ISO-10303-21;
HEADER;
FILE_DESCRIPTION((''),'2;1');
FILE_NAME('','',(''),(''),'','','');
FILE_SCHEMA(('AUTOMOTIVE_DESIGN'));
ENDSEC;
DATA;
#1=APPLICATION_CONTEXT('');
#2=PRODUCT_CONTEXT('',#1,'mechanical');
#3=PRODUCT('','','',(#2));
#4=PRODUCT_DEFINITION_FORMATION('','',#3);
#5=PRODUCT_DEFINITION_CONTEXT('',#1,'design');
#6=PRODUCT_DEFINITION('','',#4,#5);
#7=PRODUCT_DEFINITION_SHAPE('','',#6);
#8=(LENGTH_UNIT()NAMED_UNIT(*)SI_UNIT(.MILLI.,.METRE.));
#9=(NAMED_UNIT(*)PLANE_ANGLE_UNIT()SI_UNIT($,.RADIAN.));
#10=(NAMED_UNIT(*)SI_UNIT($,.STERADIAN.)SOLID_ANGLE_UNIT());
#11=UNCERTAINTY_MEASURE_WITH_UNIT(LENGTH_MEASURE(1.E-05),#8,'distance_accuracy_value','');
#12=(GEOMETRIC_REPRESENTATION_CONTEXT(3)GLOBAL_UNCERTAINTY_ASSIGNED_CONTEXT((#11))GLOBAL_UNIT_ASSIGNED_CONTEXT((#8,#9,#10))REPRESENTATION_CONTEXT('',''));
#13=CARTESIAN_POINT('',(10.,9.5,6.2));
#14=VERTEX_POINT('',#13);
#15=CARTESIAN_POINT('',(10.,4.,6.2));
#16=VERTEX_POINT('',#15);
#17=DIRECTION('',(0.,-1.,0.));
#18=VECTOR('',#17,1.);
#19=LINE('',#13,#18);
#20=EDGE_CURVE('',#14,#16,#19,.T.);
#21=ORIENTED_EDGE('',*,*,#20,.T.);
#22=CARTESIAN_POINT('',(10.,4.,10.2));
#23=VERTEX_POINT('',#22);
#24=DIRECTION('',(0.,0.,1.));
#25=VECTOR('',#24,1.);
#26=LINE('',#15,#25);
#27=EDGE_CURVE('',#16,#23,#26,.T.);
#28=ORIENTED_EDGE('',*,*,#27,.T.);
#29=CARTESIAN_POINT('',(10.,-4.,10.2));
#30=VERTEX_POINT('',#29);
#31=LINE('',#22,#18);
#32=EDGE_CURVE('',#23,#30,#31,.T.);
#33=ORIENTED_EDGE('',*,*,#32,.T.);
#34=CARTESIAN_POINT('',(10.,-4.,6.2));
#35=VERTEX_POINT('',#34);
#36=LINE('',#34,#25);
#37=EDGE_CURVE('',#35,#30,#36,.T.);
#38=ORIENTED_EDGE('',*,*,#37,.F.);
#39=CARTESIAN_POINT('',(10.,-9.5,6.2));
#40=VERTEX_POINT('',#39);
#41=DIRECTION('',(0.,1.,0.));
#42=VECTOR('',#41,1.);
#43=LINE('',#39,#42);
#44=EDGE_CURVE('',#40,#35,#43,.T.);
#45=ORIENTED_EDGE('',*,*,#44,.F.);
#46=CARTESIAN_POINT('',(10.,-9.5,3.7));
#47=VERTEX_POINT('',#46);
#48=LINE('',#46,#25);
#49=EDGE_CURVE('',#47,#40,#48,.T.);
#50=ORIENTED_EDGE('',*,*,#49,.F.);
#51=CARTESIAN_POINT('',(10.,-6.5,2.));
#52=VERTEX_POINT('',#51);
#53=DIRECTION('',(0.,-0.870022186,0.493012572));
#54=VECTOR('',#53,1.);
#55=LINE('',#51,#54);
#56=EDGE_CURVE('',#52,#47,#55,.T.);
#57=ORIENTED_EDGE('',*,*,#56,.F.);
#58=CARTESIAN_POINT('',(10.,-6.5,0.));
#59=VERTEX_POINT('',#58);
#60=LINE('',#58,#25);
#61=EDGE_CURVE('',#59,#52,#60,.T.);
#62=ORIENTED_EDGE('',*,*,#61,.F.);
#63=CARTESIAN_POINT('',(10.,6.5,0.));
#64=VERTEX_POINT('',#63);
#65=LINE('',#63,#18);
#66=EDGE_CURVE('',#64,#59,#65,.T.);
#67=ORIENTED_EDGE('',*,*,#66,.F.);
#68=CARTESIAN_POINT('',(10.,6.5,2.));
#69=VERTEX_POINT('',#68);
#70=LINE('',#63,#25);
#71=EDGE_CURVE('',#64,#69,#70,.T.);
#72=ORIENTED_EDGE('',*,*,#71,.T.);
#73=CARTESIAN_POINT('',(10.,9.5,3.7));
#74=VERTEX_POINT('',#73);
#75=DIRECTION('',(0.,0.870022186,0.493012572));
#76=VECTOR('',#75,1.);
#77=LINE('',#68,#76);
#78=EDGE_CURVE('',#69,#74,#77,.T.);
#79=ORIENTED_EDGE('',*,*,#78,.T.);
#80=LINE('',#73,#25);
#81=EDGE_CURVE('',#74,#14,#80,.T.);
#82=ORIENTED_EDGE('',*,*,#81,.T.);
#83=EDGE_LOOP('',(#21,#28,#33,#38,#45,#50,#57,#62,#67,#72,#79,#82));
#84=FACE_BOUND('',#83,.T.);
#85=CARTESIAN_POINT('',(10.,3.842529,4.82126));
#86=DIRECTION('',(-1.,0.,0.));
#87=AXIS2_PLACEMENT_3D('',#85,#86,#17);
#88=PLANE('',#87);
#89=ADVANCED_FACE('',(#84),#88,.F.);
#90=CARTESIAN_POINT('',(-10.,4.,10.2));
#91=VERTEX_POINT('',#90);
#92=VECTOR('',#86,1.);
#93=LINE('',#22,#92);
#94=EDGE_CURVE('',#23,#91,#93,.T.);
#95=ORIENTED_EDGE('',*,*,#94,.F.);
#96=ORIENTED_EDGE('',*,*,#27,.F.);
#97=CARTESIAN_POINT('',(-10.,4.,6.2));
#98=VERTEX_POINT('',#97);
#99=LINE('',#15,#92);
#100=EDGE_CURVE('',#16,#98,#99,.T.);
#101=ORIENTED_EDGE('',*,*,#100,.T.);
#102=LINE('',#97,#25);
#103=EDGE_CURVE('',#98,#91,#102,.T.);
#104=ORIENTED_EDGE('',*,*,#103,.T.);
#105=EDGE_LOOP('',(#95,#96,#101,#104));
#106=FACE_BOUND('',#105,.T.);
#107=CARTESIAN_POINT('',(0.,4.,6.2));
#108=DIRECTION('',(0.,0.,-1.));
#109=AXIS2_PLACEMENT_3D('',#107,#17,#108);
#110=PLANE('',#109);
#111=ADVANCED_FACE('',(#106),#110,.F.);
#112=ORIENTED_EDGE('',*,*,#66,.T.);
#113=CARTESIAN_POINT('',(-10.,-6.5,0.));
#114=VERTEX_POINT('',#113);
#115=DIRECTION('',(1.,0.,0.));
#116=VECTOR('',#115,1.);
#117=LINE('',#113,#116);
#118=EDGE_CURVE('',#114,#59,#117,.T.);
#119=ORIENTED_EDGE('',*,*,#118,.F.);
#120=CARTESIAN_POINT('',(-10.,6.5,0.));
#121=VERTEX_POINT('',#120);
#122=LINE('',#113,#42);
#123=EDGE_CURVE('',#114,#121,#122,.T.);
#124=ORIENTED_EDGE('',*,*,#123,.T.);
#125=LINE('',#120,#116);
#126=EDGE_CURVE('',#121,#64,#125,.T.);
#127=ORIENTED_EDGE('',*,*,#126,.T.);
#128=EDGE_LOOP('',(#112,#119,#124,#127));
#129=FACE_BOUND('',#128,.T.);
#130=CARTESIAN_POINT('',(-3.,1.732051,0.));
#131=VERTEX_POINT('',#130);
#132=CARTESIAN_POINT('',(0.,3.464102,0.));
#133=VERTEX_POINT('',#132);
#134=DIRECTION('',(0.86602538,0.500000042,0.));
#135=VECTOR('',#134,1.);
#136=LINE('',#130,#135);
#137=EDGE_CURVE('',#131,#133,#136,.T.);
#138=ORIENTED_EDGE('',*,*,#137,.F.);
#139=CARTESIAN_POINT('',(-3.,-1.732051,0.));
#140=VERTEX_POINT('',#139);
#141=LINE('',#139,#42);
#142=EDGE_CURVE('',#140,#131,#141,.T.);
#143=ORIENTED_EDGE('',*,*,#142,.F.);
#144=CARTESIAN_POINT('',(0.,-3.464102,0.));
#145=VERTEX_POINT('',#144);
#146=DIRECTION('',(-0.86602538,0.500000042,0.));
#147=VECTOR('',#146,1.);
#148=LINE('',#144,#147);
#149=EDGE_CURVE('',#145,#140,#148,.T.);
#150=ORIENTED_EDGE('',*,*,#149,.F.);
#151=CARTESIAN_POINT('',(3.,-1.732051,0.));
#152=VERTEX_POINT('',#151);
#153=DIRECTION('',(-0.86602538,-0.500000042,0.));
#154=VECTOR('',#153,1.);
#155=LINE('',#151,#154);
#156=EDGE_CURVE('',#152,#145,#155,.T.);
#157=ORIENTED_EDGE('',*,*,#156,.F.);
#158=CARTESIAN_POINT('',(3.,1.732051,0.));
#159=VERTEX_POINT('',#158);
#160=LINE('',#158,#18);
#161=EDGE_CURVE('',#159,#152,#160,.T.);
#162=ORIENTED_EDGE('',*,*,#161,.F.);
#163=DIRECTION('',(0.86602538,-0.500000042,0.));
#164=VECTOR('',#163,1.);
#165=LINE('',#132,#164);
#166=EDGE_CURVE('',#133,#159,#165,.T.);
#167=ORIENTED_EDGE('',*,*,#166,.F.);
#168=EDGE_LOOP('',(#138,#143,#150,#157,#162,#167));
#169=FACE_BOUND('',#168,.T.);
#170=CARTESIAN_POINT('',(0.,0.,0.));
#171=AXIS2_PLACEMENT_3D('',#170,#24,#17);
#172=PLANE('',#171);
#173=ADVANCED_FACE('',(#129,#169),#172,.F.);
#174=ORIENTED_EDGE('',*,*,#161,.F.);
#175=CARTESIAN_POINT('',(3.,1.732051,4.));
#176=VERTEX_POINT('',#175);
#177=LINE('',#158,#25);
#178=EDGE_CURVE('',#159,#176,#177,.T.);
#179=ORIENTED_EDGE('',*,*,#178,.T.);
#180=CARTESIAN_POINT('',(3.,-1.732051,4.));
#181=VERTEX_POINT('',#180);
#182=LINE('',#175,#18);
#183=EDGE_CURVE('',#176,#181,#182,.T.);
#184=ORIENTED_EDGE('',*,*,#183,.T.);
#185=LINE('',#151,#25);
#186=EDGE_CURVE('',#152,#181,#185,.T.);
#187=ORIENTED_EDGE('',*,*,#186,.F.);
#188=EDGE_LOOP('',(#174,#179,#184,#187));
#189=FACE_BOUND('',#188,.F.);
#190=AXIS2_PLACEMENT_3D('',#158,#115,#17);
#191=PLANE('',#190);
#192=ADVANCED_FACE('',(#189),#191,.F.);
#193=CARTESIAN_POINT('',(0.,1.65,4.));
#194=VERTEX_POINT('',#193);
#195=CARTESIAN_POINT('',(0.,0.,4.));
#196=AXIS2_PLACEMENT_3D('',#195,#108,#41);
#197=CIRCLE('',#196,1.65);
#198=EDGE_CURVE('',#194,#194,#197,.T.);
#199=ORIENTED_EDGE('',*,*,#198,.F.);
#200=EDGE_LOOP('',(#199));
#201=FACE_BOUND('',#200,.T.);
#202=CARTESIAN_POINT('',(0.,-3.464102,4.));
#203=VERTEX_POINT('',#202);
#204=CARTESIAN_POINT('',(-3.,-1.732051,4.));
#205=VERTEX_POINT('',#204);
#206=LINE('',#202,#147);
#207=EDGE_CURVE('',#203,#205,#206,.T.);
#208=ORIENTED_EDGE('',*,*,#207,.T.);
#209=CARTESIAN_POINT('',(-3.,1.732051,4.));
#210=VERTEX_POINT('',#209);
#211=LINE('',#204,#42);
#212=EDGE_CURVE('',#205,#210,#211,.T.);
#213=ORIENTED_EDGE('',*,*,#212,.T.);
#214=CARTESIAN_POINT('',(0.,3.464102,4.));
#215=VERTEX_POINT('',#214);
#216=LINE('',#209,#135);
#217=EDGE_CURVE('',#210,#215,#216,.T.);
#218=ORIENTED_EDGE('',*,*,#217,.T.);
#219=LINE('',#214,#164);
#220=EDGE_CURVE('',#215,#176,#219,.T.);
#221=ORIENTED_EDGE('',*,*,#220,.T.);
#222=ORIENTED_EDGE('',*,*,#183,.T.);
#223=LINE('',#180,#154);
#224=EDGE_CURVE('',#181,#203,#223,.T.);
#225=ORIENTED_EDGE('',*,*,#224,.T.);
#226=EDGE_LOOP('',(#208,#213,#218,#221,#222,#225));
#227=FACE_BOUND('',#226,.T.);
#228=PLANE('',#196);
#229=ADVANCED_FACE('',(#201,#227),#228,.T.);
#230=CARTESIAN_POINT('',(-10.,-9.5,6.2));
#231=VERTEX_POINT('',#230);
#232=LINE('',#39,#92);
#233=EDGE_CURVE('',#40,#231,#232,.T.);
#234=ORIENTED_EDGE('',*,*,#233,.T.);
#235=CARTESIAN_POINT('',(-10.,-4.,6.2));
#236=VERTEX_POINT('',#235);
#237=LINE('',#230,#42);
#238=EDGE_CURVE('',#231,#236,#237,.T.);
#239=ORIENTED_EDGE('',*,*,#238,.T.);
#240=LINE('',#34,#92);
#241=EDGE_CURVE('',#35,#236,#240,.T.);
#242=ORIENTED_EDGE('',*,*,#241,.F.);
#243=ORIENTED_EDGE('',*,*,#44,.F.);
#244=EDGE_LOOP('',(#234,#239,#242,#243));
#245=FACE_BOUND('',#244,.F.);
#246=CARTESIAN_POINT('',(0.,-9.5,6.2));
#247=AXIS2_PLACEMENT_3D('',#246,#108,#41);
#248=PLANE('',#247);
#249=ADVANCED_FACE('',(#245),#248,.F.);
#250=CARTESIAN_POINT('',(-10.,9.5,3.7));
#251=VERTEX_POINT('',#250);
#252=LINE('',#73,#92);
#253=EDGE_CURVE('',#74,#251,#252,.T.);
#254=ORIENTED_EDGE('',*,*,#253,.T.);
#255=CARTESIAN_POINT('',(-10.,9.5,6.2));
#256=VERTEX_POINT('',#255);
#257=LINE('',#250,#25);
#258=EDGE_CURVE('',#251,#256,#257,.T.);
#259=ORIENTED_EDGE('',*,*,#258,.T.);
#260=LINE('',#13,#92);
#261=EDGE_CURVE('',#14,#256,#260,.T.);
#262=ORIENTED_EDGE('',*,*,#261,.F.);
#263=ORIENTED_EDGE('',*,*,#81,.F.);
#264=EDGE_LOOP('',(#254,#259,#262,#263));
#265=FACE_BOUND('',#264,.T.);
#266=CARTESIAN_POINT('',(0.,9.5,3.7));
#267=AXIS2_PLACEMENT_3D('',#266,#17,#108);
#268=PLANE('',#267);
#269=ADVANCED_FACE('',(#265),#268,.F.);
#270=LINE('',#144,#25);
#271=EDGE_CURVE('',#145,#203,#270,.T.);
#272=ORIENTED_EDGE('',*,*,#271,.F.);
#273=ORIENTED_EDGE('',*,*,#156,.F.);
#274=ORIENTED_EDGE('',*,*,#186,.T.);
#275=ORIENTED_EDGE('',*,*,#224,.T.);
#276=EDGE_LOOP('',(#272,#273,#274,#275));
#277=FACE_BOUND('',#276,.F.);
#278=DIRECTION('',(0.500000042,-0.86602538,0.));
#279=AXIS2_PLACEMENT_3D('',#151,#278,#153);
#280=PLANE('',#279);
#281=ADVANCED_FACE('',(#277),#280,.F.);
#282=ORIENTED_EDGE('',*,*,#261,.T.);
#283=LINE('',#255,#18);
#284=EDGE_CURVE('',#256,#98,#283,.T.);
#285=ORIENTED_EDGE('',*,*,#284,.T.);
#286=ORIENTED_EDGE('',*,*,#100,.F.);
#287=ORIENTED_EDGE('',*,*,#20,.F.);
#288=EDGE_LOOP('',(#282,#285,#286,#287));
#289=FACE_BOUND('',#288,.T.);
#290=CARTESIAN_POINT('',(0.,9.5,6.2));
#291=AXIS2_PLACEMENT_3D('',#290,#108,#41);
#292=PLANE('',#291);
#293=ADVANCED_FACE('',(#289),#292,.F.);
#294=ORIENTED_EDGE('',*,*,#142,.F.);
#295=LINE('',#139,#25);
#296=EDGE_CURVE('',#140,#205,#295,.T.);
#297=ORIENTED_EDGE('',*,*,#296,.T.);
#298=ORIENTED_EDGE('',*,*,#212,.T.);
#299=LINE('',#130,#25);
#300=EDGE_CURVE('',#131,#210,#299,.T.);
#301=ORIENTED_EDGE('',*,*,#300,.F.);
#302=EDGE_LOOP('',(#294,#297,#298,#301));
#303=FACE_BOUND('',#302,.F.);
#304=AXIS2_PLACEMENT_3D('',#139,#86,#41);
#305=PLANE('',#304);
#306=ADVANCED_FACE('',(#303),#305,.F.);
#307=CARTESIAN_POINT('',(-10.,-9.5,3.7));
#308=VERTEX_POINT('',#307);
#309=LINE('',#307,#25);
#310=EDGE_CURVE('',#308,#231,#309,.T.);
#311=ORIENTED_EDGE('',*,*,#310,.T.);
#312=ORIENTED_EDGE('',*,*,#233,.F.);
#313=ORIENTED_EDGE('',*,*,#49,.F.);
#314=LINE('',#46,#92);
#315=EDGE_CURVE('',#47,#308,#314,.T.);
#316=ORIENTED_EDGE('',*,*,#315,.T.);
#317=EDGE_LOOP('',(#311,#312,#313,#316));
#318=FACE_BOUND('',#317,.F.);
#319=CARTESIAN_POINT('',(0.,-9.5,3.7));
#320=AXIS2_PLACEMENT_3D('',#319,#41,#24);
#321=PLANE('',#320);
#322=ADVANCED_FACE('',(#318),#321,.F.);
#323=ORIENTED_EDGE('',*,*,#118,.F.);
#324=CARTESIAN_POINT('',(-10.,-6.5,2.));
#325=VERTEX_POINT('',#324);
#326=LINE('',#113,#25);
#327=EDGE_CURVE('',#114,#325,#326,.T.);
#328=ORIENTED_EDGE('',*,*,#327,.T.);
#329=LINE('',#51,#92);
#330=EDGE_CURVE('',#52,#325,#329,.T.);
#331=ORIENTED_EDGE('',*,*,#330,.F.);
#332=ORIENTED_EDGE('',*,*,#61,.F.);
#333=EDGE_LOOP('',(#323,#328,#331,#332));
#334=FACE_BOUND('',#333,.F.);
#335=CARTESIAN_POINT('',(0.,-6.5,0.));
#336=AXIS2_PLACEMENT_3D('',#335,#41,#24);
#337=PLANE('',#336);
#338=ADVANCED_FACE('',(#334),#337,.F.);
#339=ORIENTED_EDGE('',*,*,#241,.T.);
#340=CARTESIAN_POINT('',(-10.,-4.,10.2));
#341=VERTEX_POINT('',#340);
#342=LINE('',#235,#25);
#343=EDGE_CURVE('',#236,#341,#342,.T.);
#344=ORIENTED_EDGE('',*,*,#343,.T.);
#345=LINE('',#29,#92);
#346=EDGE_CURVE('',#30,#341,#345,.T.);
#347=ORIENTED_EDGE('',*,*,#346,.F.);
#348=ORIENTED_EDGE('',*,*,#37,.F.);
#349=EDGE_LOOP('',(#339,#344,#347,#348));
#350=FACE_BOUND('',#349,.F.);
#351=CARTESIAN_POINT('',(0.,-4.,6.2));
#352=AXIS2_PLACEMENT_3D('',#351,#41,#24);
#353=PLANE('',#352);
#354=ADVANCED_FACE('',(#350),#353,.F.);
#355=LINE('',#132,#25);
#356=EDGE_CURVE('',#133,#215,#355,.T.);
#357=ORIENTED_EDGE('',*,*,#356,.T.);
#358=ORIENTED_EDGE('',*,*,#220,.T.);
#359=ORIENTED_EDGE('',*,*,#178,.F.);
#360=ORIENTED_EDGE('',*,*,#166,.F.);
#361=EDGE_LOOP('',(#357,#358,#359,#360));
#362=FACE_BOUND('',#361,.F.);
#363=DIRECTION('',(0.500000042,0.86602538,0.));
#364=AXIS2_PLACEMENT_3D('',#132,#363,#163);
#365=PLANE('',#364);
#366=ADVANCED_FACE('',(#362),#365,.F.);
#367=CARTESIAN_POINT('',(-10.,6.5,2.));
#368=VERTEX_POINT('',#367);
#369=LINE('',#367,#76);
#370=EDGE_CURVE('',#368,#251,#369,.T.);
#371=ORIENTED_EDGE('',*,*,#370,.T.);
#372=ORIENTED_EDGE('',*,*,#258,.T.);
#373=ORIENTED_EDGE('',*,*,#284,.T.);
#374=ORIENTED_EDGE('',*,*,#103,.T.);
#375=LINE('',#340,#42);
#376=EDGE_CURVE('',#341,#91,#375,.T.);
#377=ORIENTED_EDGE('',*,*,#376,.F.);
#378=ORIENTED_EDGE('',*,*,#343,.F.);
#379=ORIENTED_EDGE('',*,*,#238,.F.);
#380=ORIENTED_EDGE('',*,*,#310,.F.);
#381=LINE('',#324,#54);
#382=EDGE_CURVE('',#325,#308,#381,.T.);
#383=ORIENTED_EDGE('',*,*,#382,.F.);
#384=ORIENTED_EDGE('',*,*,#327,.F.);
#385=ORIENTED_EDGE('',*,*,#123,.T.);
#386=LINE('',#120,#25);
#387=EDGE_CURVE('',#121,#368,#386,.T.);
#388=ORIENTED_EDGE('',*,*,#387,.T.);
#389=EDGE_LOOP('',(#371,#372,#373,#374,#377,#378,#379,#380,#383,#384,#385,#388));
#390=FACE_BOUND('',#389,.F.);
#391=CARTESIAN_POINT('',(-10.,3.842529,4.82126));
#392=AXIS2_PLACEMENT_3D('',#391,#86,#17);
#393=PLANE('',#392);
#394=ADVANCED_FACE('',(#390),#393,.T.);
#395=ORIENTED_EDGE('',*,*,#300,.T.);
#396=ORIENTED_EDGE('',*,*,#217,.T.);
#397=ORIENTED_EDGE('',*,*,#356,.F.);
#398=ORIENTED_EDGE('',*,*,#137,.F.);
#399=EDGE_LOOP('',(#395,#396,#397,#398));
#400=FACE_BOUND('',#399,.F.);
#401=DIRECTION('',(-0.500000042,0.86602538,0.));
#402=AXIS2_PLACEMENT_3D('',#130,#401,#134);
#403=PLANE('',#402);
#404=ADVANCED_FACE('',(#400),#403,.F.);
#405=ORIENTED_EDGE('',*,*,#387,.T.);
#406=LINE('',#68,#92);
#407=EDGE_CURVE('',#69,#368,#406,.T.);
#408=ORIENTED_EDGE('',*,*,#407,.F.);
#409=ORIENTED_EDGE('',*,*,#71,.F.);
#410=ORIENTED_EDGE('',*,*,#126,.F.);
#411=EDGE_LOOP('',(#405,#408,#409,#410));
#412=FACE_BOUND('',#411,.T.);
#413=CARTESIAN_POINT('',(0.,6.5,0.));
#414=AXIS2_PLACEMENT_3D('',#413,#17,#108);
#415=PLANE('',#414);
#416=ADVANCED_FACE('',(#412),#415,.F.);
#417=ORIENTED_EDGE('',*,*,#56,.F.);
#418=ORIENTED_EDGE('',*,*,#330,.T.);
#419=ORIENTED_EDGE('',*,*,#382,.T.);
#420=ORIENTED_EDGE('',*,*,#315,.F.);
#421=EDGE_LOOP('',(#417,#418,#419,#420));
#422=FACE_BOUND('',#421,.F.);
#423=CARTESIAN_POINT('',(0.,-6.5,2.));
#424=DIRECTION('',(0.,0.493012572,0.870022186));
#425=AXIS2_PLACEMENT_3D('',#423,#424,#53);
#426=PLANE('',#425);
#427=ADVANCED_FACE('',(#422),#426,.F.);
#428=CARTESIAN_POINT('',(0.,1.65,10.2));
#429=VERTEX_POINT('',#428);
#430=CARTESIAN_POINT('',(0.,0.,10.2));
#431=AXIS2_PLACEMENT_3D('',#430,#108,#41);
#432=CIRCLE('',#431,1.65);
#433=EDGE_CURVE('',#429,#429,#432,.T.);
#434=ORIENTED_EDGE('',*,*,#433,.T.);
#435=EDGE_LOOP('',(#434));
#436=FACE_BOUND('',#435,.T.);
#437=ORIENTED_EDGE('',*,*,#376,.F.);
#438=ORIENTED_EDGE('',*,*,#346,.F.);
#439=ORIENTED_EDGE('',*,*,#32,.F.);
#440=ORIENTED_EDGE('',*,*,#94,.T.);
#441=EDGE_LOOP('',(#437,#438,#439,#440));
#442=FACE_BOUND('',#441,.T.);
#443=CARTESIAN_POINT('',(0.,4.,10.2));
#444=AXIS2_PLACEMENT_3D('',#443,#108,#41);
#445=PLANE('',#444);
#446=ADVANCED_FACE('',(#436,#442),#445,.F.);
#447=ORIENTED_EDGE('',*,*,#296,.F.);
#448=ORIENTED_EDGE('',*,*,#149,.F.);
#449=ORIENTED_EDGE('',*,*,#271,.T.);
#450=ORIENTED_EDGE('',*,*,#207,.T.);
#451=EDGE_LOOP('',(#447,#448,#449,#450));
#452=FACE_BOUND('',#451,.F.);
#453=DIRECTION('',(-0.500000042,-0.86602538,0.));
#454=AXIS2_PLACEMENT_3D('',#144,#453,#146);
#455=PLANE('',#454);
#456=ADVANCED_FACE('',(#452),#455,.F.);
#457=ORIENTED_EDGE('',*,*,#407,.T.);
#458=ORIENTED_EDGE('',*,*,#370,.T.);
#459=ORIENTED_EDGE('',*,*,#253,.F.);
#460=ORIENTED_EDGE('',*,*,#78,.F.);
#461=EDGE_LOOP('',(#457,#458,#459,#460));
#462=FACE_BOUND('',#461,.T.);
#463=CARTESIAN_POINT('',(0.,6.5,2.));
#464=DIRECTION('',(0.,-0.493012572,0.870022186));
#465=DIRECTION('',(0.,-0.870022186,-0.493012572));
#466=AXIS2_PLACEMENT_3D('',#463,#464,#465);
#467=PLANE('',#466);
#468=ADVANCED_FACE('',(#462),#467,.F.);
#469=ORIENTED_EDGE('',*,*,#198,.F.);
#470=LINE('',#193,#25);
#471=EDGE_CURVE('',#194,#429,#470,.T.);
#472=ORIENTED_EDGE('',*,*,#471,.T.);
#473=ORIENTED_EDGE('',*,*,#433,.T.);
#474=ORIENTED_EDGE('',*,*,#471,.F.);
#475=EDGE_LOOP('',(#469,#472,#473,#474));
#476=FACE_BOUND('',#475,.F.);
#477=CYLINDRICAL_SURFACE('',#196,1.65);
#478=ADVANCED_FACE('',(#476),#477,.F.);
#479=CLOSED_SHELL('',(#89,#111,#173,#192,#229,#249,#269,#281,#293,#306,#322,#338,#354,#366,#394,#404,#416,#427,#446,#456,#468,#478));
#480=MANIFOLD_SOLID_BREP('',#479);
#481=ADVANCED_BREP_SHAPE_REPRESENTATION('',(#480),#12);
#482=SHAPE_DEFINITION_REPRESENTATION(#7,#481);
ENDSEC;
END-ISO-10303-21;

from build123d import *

# Parameters (mm, degrees)
PAD005_DEPTH    = 10
POCKET002_DEPTH = 4
SKETCH010_R     = 1.65
POCKET003_DEPTH = 6.201


with BuildPart() as part:
    # Sketch008 → Pad005 (new body, symmetric)
    with BuildSketch(Plane.YZ):
        Polygon((-6.5, 0), (-6.5, 2), (-9.5, 3.7), (-9.5, 6.2), (-4, 6.2), (-4, 10.2), (0, 10.2), (0, 0), align=None)
    pad005 = extrude(amount=PAD005_DEPTH, both=True)

    # Mirrored: Pad005 across Sketch008 V_Axis
    add(pad005.mirror(Plane(origin=(0, 0, 0), x_dir=(1, 0, 0), z_dir=(0, 1, 0))))

    # Sketch009 (on Face2 of Mirrored) → Pocket002 (cut)
    with BuildSketch(Plane.YX):
        Polygon((-1.732051, 3), (-3.464102, 0), (-1.732051, -3), (1.732051, -3), (3.464102, 0), (1.732051, 3), align=None)
    extrude(amount=-POCKET002_DEPTH, mode=Mode.SUBTRACT)

    # Sketch010 (on Face20 of Pocket002) → Pocket003 (cut, through all)
    with BuildSketch(Plane.YX.offset(-4)):
        Circle(SKETCH010_R)
    extrude(amount=-POCKET003_DEPTH, mode=Mode.SUBTRACT)


solid = part.part
